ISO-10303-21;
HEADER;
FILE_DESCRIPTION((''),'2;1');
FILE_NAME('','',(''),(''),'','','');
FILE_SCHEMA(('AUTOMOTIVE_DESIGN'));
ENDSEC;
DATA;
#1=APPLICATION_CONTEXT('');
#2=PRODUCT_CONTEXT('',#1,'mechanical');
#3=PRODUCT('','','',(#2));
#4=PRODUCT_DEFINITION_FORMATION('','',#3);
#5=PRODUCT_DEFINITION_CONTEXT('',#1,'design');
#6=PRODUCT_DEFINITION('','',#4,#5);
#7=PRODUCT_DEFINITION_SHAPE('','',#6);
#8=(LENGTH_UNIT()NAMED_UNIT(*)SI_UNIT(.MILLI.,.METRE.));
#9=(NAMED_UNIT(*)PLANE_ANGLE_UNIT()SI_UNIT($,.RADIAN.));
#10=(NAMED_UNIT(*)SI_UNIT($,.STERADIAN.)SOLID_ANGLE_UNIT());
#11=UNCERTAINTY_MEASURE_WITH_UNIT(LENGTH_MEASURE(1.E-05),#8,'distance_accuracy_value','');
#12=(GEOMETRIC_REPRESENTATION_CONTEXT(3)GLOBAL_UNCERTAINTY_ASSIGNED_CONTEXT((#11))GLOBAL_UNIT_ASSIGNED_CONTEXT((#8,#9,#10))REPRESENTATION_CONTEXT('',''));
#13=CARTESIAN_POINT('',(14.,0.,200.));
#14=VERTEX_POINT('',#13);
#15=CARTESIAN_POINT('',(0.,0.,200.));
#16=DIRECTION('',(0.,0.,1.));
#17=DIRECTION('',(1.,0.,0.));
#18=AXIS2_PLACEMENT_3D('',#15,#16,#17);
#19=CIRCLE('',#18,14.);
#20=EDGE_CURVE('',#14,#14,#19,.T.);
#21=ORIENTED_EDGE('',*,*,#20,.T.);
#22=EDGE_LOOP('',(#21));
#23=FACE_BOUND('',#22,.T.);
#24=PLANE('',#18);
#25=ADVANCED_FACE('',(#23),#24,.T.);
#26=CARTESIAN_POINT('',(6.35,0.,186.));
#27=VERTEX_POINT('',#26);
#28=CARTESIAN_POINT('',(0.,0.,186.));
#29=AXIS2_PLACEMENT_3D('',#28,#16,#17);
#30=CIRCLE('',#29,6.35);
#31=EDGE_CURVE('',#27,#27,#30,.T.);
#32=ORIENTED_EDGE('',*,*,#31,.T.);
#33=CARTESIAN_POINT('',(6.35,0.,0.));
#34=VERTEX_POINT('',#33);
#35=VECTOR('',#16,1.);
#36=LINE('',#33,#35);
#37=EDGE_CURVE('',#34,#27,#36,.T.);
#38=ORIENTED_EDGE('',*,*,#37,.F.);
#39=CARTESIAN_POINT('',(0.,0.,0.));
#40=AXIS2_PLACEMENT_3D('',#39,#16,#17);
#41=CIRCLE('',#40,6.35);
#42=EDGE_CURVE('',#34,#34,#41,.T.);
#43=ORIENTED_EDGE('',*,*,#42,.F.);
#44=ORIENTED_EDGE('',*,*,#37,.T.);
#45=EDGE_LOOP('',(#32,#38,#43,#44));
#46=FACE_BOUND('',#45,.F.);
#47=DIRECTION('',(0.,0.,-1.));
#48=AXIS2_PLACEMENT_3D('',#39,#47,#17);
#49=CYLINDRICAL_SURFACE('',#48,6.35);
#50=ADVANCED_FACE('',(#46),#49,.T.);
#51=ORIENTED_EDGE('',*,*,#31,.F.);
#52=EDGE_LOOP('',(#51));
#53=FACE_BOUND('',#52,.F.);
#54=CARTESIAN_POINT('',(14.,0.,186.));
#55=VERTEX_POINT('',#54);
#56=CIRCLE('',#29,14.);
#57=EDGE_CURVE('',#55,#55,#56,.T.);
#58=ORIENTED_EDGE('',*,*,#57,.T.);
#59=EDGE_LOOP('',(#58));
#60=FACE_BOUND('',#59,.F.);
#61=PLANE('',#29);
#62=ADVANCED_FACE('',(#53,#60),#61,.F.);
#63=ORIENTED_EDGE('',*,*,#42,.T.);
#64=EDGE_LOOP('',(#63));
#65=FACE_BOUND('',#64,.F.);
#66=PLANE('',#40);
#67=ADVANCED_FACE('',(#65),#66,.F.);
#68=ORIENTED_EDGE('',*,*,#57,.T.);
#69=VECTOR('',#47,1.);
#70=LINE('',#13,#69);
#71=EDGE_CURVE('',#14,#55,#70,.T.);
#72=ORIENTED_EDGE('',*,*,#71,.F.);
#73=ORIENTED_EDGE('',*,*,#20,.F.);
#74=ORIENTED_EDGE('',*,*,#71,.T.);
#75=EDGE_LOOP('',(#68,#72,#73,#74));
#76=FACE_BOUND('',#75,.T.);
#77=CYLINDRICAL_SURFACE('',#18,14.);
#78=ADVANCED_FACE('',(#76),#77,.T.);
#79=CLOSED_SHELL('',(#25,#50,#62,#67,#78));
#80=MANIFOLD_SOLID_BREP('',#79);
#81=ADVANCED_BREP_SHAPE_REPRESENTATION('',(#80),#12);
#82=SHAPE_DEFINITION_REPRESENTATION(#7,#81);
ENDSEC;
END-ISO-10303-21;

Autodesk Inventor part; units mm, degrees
ref_plane "YZ Plane" through (0, 0, 0) normal (1, 0, 0) x (0, 1, 0)
ref_plane "XZ Plane" through (0, 0, 0) normal (0, 1, 0) x (-1, 0, 0)
ref_plane "XY Plane" through (0, 0, 0) normal (0, 0, 1) x (1, 0, 0)
sketch "Sketch1" plane through (0, 0, 0) normal (0, 0, 1) x (1, 0, 0)
  circle A0 centre (0, 0) radius 6.35
  dimension "d0" = 12.7
extrude "Extrusion1" add sketch "Sketch1" along normal blind 200
sketch "Sketch2" plane through (0, 0, 200) normal (0, 0, 1) x (1, 0, 0)
  circle A0 centre (0, 0) radius 6.35 projected
  circle A1 centre (0, 0) radius 14
  dimension "d3" = 28
extrude "Extrusion2" add sketch "Sketch2" against normal blind 14
properties part number "rod_130mm"
